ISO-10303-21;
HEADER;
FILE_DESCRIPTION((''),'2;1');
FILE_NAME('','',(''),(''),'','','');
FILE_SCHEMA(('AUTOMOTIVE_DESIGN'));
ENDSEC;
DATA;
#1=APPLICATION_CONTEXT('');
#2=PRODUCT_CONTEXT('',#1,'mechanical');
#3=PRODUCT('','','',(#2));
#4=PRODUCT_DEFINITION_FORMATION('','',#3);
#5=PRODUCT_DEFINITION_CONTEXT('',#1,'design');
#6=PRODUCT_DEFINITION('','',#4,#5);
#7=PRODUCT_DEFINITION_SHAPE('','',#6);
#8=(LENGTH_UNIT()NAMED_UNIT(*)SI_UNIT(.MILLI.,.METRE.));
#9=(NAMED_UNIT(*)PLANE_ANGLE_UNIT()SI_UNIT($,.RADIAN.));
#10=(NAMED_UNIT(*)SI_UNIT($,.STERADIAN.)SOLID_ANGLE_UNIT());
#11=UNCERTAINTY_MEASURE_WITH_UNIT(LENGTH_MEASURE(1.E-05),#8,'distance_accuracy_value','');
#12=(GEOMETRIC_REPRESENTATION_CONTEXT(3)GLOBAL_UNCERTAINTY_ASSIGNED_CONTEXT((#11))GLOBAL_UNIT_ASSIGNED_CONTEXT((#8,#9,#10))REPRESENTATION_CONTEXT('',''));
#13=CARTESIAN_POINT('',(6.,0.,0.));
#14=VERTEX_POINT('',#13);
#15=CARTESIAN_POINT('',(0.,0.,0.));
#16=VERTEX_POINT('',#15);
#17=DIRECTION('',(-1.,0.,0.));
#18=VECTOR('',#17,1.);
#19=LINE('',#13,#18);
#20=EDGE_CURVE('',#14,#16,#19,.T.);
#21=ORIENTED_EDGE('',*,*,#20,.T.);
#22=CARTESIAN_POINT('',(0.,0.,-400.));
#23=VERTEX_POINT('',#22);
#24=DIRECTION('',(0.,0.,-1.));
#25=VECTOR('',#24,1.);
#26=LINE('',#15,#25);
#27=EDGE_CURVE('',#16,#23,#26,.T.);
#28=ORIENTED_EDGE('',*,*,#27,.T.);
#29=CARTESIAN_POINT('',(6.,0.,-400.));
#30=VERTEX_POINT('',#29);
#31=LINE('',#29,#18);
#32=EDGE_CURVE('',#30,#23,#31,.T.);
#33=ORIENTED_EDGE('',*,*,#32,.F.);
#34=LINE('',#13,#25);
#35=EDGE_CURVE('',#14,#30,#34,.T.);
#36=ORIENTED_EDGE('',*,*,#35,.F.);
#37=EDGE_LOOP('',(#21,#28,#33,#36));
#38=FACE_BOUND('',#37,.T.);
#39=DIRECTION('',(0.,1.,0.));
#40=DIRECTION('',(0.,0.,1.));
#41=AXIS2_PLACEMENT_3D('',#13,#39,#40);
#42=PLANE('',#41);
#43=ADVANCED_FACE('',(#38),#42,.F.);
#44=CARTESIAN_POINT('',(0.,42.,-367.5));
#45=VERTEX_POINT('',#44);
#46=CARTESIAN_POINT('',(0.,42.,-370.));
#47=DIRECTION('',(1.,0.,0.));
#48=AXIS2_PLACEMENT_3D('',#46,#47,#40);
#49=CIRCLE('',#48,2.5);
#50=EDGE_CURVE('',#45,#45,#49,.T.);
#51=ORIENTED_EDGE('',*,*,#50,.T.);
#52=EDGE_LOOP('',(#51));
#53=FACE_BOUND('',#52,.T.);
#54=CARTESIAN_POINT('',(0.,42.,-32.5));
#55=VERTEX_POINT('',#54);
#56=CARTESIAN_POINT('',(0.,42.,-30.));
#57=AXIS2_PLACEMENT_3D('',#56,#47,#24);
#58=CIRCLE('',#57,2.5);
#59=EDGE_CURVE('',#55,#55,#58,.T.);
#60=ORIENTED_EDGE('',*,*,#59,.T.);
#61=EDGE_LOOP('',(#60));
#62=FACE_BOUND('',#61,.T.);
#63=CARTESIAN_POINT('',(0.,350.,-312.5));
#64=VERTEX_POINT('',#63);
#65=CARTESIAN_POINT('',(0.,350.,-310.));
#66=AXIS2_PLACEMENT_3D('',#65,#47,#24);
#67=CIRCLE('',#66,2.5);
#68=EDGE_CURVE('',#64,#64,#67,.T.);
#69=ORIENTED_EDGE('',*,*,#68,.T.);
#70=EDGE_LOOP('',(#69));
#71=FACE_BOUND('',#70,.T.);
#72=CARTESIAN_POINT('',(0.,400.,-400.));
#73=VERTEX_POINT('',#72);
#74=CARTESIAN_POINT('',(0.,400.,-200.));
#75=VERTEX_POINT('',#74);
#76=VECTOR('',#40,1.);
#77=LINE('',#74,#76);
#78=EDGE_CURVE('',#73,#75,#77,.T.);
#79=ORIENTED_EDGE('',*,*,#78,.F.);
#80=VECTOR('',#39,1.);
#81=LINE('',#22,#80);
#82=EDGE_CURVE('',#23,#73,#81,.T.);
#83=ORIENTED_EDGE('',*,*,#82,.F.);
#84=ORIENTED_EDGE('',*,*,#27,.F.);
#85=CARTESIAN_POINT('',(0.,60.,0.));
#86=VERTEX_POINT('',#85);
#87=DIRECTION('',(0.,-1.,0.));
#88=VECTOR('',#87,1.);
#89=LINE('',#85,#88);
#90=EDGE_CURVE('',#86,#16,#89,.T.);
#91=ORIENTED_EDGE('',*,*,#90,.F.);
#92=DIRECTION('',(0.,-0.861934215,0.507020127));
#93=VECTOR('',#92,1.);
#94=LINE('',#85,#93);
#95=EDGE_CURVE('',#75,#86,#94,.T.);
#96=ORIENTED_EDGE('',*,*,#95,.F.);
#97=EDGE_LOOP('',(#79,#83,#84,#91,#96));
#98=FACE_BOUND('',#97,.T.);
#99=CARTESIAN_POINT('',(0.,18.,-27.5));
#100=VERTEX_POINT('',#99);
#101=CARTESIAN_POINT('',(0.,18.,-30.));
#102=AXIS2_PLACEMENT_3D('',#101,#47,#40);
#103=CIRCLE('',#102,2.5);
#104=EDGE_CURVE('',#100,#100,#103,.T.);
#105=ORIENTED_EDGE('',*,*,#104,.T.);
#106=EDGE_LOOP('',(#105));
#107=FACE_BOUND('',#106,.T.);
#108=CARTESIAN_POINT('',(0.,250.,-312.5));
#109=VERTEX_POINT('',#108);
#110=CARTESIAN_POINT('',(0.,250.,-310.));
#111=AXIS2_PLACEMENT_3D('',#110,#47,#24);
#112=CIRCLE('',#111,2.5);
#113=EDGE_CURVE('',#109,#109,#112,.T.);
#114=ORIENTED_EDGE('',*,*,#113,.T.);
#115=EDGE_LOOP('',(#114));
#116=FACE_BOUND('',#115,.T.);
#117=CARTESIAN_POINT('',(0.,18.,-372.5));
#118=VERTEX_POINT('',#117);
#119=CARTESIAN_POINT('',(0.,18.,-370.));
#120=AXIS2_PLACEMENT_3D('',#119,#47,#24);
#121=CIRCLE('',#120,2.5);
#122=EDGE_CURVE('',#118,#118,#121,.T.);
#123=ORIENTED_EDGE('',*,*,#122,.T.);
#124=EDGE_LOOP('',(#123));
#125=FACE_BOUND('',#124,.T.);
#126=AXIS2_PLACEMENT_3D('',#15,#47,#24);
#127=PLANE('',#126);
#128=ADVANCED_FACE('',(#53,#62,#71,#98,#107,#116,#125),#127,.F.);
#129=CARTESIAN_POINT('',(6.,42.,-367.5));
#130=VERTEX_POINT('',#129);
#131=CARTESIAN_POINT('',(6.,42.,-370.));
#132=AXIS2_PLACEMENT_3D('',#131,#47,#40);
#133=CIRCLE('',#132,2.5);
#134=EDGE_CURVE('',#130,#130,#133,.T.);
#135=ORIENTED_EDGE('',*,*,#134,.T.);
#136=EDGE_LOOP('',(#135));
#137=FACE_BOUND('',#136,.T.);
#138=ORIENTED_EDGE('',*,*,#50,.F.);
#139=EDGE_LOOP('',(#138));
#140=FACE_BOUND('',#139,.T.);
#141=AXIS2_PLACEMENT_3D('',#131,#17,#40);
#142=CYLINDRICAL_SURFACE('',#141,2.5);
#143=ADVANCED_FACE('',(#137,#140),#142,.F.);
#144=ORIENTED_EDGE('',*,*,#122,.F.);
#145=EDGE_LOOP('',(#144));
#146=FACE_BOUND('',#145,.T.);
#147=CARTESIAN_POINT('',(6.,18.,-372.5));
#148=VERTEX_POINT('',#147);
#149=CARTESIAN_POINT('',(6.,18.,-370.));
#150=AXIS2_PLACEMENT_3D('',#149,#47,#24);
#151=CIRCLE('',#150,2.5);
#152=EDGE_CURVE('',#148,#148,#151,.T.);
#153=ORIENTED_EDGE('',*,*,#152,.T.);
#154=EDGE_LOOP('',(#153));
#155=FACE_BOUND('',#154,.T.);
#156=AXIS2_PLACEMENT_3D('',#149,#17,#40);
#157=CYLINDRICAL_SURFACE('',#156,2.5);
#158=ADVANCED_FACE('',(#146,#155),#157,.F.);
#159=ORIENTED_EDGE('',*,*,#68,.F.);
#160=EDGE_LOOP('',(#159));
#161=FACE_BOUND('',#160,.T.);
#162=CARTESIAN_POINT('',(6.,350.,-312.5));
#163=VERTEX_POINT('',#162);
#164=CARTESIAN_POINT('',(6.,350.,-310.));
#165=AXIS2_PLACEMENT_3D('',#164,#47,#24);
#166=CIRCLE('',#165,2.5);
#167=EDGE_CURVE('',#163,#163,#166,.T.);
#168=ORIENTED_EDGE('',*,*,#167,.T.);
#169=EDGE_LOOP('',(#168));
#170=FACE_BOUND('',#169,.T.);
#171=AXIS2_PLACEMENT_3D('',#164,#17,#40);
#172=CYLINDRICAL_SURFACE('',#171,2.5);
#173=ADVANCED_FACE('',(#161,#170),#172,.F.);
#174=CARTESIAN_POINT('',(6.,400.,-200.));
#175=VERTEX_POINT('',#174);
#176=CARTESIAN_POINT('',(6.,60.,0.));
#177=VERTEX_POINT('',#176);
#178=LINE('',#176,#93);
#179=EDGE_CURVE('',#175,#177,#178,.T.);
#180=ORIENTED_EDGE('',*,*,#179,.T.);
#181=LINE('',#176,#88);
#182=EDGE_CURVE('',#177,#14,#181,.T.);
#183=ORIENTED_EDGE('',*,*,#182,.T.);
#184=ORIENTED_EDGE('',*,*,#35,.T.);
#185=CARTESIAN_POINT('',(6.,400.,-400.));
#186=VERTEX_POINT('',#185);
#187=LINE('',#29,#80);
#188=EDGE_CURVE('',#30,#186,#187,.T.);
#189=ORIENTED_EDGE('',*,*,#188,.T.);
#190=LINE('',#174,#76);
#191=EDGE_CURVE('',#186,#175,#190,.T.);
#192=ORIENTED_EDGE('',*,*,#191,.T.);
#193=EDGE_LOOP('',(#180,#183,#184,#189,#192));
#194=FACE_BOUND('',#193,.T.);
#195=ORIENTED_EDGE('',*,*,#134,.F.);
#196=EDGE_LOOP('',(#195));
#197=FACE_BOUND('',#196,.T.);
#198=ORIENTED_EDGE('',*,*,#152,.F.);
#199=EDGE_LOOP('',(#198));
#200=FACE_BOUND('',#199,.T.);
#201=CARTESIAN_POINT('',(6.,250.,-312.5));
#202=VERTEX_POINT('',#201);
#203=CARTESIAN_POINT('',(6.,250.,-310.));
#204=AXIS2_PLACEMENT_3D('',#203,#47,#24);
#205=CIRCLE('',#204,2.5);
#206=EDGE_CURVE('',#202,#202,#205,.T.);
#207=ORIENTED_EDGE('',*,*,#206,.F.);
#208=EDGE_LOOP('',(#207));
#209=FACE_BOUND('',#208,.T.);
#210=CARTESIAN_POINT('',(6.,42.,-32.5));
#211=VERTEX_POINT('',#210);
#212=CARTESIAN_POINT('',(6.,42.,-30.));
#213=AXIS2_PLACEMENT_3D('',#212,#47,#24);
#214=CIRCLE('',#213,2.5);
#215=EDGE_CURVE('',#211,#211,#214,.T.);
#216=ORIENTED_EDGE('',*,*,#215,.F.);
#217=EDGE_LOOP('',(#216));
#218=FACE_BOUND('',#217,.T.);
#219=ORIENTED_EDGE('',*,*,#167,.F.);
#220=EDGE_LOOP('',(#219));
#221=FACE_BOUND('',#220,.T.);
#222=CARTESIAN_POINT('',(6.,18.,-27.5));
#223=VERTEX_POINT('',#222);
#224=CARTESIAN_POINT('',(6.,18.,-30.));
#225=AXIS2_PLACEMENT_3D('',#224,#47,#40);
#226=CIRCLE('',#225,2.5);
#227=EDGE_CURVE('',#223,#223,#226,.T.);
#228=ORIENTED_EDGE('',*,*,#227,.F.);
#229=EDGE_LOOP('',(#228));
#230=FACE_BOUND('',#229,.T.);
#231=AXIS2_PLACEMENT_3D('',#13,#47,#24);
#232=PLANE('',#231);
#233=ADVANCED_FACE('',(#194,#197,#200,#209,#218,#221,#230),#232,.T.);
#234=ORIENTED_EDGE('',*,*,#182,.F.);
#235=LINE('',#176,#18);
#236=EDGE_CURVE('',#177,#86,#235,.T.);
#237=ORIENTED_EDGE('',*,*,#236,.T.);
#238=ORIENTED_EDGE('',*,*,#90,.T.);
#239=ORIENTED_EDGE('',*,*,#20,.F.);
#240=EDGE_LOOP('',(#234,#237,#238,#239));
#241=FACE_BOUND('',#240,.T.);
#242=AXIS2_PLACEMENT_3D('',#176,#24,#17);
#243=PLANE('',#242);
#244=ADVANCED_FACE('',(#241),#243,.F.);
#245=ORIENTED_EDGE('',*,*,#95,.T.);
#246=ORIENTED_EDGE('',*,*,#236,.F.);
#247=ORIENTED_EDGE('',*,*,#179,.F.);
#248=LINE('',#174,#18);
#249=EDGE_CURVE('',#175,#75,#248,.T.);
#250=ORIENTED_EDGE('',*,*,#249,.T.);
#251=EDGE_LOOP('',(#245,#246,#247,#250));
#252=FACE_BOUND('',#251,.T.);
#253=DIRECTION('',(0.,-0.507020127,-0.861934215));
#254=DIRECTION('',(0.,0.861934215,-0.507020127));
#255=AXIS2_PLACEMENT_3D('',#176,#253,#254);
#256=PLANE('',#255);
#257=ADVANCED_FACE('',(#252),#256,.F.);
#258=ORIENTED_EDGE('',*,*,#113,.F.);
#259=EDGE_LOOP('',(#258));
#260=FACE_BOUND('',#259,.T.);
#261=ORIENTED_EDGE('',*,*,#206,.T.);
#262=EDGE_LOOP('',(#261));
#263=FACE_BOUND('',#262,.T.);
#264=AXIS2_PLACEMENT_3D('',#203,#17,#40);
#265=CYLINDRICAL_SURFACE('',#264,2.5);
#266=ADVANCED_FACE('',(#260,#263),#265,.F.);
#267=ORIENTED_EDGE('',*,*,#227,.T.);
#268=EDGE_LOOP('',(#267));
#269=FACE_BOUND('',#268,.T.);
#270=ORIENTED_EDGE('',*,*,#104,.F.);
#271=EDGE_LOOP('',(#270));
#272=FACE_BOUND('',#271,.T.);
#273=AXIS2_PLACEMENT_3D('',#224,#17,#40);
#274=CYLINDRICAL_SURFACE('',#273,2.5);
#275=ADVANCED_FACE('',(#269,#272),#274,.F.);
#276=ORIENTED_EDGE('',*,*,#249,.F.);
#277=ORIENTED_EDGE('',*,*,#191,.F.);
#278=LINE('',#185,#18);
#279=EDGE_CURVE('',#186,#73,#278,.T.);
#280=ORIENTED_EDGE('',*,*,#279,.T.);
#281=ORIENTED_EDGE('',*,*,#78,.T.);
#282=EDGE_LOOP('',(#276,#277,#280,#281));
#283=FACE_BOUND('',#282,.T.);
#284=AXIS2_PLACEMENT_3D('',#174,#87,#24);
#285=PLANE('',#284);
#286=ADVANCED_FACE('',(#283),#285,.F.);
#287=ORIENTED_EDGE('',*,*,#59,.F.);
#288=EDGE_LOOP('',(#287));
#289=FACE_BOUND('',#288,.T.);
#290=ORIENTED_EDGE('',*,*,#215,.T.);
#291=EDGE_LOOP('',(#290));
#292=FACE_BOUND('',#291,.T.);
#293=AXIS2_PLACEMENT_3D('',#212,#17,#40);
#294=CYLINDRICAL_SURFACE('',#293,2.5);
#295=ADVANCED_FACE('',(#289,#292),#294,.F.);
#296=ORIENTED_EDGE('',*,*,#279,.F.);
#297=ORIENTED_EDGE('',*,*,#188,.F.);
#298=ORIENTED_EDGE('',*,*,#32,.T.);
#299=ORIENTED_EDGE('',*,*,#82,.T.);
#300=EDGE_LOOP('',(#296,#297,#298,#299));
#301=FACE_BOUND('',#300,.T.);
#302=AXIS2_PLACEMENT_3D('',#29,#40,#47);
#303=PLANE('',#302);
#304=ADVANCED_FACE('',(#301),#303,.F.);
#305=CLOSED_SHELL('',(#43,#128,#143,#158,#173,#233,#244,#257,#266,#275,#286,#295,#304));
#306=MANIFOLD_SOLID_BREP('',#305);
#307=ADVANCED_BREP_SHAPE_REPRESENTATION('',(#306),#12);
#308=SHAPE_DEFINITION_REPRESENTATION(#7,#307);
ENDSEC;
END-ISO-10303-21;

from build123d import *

# Parameters (mm, degrees)
SKETCH1_R           = 2.5
BOSS_EXTRUDE1_DEPTH = 6


with BuildPart() as part:
    # Sketch1 → Boss-Extrude1 (new body)
    with BuildSketch(Plane(origin=(0, 0, 0), x_dir=(0, 0, -1), z_dir=(1, 0, 0))):
        Polygon((0, 0), (400, 0), (400, 400), (200, 400), (0, 60), align=None)
        with Locations((30, 42)):
            Circle(SKETCH1_R, mode=Mode.SUBTRACT)
        with Locations(Location((30, 18, 0), (0, 0, 180))):
            Circle(SKETCH1_R, mode=Mode.SUBTRACT)
        with Locations((370, 18)):
            Circle(SKETCH1_R, mode=Mode.SUBTRACT)
        with Locations(Location((370, 42, 0), (0, 0, 180))):
            Circle(SKETCH1_R, mode=Mode.SUBTRACT)
        with Locations((310, 350)):
            Circle(SKETCH1_R, mode=Mode.SUBTRACT)
        with Locations((310, 250)):
            Circle(SKETCH1_R, mode=Mode.SUBTRACT)
    extrude(amount=BOSS_EXTRUDE1_DEPTH)


solid = part.part
